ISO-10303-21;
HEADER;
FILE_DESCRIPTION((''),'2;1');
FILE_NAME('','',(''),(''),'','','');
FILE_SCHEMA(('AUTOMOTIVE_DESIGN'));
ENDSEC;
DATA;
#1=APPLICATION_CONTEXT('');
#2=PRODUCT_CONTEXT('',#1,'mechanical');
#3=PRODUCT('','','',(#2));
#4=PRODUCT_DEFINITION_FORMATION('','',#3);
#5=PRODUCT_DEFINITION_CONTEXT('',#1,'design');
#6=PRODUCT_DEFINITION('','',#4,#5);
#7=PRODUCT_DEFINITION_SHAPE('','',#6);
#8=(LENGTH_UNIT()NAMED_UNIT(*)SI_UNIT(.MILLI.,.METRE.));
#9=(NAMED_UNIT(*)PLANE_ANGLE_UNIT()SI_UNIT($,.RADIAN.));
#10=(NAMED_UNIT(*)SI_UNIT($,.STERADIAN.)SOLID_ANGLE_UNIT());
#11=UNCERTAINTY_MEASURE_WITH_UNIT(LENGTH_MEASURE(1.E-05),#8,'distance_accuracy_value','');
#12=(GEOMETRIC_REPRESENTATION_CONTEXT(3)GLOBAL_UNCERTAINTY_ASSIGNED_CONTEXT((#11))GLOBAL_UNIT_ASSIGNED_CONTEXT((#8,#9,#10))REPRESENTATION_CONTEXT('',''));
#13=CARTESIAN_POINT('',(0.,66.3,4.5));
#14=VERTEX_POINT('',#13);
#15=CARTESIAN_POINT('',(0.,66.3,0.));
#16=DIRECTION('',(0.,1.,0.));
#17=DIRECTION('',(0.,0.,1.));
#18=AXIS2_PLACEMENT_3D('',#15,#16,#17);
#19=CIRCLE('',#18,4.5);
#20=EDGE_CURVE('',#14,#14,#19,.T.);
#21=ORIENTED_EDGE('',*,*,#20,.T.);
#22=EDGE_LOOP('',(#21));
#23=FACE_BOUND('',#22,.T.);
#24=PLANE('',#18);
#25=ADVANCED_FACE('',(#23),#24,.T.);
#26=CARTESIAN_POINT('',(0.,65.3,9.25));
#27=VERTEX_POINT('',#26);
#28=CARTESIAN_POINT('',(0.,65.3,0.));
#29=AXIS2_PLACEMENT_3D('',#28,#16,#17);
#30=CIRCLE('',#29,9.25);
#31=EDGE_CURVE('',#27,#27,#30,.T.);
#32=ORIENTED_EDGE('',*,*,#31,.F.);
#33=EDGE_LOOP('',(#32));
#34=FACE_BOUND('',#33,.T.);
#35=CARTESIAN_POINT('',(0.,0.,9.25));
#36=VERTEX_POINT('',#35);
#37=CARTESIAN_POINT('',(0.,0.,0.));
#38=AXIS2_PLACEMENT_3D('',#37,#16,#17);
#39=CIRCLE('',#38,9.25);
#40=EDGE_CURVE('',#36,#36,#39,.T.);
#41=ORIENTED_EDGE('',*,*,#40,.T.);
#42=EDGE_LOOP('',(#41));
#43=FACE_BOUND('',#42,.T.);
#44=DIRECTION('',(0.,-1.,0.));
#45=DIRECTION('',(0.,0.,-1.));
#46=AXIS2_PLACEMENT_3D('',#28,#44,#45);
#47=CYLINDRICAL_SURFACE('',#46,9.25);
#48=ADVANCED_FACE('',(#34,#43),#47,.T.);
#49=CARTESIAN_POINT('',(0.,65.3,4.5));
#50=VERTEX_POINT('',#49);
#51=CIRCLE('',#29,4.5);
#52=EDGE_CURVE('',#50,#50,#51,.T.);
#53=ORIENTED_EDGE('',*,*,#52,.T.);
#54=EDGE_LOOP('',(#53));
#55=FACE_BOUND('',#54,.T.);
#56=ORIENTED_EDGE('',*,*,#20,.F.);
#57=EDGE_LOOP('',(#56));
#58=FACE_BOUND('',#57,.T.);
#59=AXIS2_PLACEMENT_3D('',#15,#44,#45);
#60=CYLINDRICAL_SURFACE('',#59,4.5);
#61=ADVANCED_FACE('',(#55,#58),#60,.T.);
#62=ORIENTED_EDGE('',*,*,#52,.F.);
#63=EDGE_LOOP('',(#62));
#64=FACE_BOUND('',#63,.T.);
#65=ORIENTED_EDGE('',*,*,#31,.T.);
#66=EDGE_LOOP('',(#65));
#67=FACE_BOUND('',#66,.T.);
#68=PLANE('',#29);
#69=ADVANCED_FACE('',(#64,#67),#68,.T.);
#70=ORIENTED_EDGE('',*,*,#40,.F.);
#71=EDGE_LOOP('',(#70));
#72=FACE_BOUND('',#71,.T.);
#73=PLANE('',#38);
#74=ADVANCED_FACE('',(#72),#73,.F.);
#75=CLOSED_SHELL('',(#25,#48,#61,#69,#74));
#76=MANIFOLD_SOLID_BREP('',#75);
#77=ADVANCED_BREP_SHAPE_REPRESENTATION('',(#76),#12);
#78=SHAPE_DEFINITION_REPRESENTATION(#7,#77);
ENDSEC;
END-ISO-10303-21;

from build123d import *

# Parameters (mm, degrees)
SKETCH1_R           = 9.25
BOSS_EXTRUDE1_DEPTH = 65.3
SKETCH2_R           = 4.5
BOSS_EXTRUDE2_DEPTH = 1


with BuildPart() as part:
    # Sketch1 → Boss-Extrude1 (new body)
    with BuildSketch(Plane(origin=(0, 0, 0), x_dir=(1, 0, 0), z_dir=(0, 1, 0))):
        Circle(SKETCH1_R)
    extrude(amount=BOSS_EXTRUDE1_DEPTH)

    # Sketch2 → Boss-Extrude2 (add)
    with BuildSketch(Plane(origin=(0, 65.3, 0), x_dir=(1, 0, 0), z_dir=(0, 1, 0))):
        Circle(SKETCH2_R)
    extrude(amount=BOSS_EXTRUDE2_DEPTH)


solid = part.part
